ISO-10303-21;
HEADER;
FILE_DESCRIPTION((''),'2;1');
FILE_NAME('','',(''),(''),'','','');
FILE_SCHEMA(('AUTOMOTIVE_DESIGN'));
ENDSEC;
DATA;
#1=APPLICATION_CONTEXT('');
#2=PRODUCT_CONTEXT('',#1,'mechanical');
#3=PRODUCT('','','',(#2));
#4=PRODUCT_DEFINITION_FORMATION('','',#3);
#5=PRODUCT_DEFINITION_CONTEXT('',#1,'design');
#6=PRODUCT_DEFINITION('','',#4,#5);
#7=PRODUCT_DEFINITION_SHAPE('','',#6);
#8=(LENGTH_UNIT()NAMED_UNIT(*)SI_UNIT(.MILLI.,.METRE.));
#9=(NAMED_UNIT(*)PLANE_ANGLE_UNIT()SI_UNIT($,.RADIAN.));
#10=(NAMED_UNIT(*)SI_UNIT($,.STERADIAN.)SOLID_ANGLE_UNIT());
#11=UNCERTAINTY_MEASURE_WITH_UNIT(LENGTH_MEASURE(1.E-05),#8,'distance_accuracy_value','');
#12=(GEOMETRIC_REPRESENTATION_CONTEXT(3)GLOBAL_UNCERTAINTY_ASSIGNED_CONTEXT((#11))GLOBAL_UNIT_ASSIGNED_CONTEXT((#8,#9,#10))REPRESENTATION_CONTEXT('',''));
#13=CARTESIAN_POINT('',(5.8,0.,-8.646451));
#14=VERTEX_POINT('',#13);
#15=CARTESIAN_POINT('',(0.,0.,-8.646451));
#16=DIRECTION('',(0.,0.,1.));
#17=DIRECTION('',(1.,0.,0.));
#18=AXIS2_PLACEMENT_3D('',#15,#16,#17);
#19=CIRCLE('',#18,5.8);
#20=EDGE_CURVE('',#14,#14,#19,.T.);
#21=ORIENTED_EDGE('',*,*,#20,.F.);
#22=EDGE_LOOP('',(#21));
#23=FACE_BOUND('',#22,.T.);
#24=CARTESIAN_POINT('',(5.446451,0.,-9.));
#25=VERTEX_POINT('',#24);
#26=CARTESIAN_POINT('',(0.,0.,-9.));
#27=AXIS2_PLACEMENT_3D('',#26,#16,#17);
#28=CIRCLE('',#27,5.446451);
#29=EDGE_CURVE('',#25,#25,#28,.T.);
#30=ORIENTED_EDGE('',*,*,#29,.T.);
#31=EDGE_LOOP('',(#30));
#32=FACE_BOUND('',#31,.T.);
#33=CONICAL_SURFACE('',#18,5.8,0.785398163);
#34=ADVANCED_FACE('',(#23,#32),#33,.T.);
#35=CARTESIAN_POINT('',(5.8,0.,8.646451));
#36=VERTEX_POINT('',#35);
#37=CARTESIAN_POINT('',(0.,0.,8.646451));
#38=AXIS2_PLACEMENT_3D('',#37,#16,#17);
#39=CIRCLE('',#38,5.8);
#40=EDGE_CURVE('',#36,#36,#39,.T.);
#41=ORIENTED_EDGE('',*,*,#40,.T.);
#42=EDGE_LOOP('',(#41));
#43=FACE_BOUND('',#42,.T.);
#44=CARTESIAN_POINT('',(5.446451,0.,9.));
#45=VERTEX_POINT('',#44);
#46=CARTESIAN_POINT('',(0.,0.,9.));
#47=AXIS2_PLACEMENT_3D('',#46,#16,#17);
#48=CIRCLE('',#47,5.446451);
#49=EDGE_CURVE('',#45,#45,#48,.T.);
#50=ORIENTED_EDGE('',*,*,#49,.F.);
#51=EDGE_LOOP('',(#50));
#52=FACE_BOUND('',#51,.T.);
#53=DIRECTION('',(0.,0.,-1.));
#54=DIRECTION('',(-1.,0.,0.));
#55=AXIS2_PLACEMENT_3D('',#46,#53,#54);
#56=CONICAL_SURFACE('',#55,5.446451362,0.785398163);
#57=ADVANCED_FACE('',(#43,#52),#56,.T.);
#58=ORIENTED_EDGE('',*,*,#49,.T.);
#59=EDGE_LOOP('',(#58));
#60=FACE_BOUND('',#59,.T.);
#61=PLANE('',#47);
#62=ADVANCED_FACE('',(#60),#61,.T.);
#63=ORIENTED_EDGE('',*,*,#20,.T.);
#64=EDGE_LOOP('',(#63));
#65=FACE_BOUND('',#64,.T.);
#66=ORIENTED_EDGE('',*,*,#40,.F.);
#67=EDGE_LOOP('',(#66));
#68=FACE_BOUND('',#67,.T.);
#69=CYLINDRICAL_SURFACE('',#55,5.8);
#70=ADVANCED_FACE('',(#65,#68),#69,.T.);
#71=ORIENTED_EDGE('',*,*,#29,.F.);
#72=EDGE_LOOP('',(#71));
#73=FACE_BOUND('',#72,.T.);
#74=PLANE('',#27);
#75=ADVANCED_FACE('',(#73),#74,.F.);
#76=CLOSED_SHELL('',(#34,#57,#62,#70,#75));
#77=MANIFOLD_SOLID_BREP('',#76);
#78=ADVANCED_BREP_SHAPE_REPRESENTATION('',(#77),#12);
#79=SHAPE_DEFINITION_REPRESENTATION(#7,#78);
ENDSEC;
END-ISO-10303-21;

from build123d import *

# Parameters (mm, degrees)
SKETCH1_R           = 5.8
BOSS_EXTRUDE1_DEPTH = 9


with BuildPart() as part:
    # Sketch1 → Boss-Extrude1 (new, symmetric)
    with BuildSketch(Plane.XY):
        Circle(SKETCH1_R)
    extrude(amount=BOSS_EXTRUDE1_DEPTH, both=True)

    # Sketch2 → Cut-Revolve1 (revolve, cut)
    with BuildSketch(Plane(origin=(0, 0, 0), x_dir=(0, 0, -1), z_dir=(1, 0, 0)), mode=Mode.PRIVATE) as cut_revolve1_sk:
        Polygon((8.646451362, 5.8), (9, 5.446451362), (9, 5.8), align=None)
        Polygon((-9, 5.446451362), (-8.646451362, 5.8), (-9, 5.8), align=None)
    revolve(cut_revolve1_sk.sketch.rotate(Axis((0, 0, 11.101272286), (0, 0, -1)), 90), axis=Axis((0, 0, 11.101272286), (0, 0, -1)), mode=Mode.SUBTRACT)


solid = part.part
